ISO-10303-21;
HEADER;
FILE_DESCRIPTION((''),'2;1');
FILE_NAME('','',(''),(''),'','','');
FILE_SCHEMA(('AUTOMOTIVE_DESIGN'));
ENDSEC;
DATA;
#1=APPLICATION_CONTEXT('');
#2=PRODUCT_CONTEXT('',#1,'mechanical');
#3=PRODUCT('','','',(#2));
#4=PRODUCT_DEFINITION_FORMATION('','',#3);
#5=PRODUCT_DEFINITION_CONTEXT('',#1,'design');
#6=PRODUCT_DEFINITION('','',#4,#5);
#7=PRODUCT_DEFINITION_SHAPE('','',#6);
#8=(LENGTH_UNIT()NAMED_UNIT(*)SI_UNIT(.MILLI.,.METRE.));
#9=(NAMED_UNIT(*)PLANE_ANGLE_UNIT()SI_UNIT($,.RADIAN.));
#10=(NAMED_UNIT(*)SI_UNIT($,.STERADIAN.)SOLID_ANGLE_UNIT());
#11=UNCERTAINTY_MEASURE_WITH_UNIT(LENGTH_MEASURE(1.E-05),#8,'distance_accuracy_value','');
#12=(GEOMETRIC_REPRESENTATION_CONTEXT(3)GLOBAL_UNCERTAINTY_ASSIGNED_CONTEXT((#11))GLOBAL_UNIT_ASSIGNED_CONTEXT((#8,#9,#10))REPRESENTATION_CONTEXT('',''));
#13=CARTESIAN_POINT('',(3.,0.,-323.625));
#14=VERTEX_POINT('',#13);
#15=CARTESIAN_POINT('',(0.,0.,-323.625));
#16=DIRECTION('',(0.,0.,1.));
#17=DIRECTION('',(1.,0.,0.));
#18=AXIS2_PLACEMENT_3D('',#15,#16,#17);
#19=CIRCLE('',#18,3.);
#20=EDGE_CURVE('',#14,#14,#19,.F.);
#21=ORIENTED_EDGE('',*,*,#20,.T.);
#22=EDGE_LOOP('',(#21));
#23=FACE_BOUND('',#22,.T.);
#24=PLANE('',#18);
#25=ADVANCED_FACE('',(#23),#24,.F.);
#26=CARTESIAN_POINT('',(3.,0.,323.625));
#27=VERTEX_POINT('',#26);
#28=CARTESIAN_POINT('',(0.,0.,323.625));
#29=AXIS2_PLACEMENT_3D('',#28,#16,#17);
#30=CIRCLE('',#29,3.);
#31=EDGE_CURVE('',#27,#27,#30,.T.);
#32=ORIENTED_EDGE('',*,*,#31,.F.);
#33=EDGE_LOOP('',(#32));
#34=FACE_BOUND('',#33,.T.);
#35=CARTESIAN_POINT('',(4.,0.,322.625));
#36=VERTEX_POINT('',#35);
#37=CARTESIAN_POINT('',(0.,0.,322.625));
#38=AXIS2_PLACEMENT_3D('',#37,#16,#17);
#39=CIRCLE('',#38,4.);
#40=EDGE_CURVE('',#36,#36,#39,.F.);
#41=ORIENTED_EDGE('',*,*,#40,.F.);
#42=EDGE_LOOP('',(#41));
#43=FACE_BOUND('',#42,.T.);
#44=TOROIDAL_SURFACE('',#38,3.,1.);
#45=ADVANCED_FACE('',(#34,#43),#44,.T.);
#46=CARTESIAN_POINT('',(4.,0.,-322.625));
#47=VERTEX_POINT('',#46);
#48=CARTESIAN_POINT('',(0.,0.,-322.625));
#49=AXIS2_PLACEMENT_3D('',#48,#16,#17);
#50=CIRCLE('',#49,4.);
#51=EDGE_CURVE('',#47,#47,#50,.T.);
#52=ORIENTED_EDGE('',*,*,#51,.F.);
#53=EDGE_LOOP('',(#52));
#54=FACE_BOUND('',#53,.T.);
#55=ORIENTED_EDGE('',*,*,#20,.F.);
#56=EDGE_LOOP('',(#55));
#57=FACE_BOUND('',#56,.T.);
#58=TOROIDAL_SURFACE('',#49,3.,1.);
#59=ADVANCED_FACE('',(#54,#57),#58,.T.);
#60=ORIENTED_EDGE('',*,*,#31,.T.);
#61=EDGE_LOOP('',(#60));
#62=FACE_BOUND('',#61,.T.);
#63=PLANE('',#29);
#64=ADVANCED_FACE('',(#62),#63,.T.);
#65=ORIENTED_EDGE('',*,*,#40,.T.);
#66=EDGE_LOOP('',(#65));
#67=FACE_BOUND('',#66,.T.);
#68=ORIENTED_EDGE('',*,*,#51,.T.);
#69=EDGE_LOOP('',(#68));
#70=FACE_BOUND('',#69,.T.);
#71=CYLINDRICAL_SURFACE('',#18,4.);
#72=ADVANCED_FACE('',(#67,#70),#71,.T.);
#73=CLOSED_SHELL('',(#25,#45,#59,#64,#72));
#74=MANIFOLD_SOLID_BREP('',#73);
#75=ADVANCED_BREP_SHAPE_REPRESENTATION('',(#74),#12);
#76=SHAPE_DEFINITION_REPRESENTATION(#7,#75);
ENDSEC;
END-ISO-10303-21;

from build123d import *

# Parameters (mm, degrees)
EXTRUDE2_DEPTH      = 323.625
EXTRUDE2_DEPTH_BACK = 323.625
SKETCH1_R           = 4
FILLET2_R           = 1
FILLET3_R           = 1


with BuildPart() as part:
    # Sketch1 → Extrude2 (new, two sides: drawn at the far end of the back side and taken through both)
    with BuildSketch(Plane.XY.offset(-EXTRUDE2_DEPTH_BACK)):
        Circle(SKETCH1_R)
    extrude(amount=EXTRUDE2_DEPTH + EXTRUDE2_DEPTH_BACK)

    # Fillet2
    fillet2_edges = [part.edges().sort_by_distance(p)[0] for p in [
        (-4, 0, -323.625),
    ]]
    fillet(fillet2_edges, radius=FILLET2_R)

    # Fillet3
    fillet3_edges = [part.edges().sort_by_distance(p)[0] for p in [
        (-4, 0, 323.625),
    ]]
    fillet(fillet3_edges, radius=FILLET3_R)


solid = part.part
